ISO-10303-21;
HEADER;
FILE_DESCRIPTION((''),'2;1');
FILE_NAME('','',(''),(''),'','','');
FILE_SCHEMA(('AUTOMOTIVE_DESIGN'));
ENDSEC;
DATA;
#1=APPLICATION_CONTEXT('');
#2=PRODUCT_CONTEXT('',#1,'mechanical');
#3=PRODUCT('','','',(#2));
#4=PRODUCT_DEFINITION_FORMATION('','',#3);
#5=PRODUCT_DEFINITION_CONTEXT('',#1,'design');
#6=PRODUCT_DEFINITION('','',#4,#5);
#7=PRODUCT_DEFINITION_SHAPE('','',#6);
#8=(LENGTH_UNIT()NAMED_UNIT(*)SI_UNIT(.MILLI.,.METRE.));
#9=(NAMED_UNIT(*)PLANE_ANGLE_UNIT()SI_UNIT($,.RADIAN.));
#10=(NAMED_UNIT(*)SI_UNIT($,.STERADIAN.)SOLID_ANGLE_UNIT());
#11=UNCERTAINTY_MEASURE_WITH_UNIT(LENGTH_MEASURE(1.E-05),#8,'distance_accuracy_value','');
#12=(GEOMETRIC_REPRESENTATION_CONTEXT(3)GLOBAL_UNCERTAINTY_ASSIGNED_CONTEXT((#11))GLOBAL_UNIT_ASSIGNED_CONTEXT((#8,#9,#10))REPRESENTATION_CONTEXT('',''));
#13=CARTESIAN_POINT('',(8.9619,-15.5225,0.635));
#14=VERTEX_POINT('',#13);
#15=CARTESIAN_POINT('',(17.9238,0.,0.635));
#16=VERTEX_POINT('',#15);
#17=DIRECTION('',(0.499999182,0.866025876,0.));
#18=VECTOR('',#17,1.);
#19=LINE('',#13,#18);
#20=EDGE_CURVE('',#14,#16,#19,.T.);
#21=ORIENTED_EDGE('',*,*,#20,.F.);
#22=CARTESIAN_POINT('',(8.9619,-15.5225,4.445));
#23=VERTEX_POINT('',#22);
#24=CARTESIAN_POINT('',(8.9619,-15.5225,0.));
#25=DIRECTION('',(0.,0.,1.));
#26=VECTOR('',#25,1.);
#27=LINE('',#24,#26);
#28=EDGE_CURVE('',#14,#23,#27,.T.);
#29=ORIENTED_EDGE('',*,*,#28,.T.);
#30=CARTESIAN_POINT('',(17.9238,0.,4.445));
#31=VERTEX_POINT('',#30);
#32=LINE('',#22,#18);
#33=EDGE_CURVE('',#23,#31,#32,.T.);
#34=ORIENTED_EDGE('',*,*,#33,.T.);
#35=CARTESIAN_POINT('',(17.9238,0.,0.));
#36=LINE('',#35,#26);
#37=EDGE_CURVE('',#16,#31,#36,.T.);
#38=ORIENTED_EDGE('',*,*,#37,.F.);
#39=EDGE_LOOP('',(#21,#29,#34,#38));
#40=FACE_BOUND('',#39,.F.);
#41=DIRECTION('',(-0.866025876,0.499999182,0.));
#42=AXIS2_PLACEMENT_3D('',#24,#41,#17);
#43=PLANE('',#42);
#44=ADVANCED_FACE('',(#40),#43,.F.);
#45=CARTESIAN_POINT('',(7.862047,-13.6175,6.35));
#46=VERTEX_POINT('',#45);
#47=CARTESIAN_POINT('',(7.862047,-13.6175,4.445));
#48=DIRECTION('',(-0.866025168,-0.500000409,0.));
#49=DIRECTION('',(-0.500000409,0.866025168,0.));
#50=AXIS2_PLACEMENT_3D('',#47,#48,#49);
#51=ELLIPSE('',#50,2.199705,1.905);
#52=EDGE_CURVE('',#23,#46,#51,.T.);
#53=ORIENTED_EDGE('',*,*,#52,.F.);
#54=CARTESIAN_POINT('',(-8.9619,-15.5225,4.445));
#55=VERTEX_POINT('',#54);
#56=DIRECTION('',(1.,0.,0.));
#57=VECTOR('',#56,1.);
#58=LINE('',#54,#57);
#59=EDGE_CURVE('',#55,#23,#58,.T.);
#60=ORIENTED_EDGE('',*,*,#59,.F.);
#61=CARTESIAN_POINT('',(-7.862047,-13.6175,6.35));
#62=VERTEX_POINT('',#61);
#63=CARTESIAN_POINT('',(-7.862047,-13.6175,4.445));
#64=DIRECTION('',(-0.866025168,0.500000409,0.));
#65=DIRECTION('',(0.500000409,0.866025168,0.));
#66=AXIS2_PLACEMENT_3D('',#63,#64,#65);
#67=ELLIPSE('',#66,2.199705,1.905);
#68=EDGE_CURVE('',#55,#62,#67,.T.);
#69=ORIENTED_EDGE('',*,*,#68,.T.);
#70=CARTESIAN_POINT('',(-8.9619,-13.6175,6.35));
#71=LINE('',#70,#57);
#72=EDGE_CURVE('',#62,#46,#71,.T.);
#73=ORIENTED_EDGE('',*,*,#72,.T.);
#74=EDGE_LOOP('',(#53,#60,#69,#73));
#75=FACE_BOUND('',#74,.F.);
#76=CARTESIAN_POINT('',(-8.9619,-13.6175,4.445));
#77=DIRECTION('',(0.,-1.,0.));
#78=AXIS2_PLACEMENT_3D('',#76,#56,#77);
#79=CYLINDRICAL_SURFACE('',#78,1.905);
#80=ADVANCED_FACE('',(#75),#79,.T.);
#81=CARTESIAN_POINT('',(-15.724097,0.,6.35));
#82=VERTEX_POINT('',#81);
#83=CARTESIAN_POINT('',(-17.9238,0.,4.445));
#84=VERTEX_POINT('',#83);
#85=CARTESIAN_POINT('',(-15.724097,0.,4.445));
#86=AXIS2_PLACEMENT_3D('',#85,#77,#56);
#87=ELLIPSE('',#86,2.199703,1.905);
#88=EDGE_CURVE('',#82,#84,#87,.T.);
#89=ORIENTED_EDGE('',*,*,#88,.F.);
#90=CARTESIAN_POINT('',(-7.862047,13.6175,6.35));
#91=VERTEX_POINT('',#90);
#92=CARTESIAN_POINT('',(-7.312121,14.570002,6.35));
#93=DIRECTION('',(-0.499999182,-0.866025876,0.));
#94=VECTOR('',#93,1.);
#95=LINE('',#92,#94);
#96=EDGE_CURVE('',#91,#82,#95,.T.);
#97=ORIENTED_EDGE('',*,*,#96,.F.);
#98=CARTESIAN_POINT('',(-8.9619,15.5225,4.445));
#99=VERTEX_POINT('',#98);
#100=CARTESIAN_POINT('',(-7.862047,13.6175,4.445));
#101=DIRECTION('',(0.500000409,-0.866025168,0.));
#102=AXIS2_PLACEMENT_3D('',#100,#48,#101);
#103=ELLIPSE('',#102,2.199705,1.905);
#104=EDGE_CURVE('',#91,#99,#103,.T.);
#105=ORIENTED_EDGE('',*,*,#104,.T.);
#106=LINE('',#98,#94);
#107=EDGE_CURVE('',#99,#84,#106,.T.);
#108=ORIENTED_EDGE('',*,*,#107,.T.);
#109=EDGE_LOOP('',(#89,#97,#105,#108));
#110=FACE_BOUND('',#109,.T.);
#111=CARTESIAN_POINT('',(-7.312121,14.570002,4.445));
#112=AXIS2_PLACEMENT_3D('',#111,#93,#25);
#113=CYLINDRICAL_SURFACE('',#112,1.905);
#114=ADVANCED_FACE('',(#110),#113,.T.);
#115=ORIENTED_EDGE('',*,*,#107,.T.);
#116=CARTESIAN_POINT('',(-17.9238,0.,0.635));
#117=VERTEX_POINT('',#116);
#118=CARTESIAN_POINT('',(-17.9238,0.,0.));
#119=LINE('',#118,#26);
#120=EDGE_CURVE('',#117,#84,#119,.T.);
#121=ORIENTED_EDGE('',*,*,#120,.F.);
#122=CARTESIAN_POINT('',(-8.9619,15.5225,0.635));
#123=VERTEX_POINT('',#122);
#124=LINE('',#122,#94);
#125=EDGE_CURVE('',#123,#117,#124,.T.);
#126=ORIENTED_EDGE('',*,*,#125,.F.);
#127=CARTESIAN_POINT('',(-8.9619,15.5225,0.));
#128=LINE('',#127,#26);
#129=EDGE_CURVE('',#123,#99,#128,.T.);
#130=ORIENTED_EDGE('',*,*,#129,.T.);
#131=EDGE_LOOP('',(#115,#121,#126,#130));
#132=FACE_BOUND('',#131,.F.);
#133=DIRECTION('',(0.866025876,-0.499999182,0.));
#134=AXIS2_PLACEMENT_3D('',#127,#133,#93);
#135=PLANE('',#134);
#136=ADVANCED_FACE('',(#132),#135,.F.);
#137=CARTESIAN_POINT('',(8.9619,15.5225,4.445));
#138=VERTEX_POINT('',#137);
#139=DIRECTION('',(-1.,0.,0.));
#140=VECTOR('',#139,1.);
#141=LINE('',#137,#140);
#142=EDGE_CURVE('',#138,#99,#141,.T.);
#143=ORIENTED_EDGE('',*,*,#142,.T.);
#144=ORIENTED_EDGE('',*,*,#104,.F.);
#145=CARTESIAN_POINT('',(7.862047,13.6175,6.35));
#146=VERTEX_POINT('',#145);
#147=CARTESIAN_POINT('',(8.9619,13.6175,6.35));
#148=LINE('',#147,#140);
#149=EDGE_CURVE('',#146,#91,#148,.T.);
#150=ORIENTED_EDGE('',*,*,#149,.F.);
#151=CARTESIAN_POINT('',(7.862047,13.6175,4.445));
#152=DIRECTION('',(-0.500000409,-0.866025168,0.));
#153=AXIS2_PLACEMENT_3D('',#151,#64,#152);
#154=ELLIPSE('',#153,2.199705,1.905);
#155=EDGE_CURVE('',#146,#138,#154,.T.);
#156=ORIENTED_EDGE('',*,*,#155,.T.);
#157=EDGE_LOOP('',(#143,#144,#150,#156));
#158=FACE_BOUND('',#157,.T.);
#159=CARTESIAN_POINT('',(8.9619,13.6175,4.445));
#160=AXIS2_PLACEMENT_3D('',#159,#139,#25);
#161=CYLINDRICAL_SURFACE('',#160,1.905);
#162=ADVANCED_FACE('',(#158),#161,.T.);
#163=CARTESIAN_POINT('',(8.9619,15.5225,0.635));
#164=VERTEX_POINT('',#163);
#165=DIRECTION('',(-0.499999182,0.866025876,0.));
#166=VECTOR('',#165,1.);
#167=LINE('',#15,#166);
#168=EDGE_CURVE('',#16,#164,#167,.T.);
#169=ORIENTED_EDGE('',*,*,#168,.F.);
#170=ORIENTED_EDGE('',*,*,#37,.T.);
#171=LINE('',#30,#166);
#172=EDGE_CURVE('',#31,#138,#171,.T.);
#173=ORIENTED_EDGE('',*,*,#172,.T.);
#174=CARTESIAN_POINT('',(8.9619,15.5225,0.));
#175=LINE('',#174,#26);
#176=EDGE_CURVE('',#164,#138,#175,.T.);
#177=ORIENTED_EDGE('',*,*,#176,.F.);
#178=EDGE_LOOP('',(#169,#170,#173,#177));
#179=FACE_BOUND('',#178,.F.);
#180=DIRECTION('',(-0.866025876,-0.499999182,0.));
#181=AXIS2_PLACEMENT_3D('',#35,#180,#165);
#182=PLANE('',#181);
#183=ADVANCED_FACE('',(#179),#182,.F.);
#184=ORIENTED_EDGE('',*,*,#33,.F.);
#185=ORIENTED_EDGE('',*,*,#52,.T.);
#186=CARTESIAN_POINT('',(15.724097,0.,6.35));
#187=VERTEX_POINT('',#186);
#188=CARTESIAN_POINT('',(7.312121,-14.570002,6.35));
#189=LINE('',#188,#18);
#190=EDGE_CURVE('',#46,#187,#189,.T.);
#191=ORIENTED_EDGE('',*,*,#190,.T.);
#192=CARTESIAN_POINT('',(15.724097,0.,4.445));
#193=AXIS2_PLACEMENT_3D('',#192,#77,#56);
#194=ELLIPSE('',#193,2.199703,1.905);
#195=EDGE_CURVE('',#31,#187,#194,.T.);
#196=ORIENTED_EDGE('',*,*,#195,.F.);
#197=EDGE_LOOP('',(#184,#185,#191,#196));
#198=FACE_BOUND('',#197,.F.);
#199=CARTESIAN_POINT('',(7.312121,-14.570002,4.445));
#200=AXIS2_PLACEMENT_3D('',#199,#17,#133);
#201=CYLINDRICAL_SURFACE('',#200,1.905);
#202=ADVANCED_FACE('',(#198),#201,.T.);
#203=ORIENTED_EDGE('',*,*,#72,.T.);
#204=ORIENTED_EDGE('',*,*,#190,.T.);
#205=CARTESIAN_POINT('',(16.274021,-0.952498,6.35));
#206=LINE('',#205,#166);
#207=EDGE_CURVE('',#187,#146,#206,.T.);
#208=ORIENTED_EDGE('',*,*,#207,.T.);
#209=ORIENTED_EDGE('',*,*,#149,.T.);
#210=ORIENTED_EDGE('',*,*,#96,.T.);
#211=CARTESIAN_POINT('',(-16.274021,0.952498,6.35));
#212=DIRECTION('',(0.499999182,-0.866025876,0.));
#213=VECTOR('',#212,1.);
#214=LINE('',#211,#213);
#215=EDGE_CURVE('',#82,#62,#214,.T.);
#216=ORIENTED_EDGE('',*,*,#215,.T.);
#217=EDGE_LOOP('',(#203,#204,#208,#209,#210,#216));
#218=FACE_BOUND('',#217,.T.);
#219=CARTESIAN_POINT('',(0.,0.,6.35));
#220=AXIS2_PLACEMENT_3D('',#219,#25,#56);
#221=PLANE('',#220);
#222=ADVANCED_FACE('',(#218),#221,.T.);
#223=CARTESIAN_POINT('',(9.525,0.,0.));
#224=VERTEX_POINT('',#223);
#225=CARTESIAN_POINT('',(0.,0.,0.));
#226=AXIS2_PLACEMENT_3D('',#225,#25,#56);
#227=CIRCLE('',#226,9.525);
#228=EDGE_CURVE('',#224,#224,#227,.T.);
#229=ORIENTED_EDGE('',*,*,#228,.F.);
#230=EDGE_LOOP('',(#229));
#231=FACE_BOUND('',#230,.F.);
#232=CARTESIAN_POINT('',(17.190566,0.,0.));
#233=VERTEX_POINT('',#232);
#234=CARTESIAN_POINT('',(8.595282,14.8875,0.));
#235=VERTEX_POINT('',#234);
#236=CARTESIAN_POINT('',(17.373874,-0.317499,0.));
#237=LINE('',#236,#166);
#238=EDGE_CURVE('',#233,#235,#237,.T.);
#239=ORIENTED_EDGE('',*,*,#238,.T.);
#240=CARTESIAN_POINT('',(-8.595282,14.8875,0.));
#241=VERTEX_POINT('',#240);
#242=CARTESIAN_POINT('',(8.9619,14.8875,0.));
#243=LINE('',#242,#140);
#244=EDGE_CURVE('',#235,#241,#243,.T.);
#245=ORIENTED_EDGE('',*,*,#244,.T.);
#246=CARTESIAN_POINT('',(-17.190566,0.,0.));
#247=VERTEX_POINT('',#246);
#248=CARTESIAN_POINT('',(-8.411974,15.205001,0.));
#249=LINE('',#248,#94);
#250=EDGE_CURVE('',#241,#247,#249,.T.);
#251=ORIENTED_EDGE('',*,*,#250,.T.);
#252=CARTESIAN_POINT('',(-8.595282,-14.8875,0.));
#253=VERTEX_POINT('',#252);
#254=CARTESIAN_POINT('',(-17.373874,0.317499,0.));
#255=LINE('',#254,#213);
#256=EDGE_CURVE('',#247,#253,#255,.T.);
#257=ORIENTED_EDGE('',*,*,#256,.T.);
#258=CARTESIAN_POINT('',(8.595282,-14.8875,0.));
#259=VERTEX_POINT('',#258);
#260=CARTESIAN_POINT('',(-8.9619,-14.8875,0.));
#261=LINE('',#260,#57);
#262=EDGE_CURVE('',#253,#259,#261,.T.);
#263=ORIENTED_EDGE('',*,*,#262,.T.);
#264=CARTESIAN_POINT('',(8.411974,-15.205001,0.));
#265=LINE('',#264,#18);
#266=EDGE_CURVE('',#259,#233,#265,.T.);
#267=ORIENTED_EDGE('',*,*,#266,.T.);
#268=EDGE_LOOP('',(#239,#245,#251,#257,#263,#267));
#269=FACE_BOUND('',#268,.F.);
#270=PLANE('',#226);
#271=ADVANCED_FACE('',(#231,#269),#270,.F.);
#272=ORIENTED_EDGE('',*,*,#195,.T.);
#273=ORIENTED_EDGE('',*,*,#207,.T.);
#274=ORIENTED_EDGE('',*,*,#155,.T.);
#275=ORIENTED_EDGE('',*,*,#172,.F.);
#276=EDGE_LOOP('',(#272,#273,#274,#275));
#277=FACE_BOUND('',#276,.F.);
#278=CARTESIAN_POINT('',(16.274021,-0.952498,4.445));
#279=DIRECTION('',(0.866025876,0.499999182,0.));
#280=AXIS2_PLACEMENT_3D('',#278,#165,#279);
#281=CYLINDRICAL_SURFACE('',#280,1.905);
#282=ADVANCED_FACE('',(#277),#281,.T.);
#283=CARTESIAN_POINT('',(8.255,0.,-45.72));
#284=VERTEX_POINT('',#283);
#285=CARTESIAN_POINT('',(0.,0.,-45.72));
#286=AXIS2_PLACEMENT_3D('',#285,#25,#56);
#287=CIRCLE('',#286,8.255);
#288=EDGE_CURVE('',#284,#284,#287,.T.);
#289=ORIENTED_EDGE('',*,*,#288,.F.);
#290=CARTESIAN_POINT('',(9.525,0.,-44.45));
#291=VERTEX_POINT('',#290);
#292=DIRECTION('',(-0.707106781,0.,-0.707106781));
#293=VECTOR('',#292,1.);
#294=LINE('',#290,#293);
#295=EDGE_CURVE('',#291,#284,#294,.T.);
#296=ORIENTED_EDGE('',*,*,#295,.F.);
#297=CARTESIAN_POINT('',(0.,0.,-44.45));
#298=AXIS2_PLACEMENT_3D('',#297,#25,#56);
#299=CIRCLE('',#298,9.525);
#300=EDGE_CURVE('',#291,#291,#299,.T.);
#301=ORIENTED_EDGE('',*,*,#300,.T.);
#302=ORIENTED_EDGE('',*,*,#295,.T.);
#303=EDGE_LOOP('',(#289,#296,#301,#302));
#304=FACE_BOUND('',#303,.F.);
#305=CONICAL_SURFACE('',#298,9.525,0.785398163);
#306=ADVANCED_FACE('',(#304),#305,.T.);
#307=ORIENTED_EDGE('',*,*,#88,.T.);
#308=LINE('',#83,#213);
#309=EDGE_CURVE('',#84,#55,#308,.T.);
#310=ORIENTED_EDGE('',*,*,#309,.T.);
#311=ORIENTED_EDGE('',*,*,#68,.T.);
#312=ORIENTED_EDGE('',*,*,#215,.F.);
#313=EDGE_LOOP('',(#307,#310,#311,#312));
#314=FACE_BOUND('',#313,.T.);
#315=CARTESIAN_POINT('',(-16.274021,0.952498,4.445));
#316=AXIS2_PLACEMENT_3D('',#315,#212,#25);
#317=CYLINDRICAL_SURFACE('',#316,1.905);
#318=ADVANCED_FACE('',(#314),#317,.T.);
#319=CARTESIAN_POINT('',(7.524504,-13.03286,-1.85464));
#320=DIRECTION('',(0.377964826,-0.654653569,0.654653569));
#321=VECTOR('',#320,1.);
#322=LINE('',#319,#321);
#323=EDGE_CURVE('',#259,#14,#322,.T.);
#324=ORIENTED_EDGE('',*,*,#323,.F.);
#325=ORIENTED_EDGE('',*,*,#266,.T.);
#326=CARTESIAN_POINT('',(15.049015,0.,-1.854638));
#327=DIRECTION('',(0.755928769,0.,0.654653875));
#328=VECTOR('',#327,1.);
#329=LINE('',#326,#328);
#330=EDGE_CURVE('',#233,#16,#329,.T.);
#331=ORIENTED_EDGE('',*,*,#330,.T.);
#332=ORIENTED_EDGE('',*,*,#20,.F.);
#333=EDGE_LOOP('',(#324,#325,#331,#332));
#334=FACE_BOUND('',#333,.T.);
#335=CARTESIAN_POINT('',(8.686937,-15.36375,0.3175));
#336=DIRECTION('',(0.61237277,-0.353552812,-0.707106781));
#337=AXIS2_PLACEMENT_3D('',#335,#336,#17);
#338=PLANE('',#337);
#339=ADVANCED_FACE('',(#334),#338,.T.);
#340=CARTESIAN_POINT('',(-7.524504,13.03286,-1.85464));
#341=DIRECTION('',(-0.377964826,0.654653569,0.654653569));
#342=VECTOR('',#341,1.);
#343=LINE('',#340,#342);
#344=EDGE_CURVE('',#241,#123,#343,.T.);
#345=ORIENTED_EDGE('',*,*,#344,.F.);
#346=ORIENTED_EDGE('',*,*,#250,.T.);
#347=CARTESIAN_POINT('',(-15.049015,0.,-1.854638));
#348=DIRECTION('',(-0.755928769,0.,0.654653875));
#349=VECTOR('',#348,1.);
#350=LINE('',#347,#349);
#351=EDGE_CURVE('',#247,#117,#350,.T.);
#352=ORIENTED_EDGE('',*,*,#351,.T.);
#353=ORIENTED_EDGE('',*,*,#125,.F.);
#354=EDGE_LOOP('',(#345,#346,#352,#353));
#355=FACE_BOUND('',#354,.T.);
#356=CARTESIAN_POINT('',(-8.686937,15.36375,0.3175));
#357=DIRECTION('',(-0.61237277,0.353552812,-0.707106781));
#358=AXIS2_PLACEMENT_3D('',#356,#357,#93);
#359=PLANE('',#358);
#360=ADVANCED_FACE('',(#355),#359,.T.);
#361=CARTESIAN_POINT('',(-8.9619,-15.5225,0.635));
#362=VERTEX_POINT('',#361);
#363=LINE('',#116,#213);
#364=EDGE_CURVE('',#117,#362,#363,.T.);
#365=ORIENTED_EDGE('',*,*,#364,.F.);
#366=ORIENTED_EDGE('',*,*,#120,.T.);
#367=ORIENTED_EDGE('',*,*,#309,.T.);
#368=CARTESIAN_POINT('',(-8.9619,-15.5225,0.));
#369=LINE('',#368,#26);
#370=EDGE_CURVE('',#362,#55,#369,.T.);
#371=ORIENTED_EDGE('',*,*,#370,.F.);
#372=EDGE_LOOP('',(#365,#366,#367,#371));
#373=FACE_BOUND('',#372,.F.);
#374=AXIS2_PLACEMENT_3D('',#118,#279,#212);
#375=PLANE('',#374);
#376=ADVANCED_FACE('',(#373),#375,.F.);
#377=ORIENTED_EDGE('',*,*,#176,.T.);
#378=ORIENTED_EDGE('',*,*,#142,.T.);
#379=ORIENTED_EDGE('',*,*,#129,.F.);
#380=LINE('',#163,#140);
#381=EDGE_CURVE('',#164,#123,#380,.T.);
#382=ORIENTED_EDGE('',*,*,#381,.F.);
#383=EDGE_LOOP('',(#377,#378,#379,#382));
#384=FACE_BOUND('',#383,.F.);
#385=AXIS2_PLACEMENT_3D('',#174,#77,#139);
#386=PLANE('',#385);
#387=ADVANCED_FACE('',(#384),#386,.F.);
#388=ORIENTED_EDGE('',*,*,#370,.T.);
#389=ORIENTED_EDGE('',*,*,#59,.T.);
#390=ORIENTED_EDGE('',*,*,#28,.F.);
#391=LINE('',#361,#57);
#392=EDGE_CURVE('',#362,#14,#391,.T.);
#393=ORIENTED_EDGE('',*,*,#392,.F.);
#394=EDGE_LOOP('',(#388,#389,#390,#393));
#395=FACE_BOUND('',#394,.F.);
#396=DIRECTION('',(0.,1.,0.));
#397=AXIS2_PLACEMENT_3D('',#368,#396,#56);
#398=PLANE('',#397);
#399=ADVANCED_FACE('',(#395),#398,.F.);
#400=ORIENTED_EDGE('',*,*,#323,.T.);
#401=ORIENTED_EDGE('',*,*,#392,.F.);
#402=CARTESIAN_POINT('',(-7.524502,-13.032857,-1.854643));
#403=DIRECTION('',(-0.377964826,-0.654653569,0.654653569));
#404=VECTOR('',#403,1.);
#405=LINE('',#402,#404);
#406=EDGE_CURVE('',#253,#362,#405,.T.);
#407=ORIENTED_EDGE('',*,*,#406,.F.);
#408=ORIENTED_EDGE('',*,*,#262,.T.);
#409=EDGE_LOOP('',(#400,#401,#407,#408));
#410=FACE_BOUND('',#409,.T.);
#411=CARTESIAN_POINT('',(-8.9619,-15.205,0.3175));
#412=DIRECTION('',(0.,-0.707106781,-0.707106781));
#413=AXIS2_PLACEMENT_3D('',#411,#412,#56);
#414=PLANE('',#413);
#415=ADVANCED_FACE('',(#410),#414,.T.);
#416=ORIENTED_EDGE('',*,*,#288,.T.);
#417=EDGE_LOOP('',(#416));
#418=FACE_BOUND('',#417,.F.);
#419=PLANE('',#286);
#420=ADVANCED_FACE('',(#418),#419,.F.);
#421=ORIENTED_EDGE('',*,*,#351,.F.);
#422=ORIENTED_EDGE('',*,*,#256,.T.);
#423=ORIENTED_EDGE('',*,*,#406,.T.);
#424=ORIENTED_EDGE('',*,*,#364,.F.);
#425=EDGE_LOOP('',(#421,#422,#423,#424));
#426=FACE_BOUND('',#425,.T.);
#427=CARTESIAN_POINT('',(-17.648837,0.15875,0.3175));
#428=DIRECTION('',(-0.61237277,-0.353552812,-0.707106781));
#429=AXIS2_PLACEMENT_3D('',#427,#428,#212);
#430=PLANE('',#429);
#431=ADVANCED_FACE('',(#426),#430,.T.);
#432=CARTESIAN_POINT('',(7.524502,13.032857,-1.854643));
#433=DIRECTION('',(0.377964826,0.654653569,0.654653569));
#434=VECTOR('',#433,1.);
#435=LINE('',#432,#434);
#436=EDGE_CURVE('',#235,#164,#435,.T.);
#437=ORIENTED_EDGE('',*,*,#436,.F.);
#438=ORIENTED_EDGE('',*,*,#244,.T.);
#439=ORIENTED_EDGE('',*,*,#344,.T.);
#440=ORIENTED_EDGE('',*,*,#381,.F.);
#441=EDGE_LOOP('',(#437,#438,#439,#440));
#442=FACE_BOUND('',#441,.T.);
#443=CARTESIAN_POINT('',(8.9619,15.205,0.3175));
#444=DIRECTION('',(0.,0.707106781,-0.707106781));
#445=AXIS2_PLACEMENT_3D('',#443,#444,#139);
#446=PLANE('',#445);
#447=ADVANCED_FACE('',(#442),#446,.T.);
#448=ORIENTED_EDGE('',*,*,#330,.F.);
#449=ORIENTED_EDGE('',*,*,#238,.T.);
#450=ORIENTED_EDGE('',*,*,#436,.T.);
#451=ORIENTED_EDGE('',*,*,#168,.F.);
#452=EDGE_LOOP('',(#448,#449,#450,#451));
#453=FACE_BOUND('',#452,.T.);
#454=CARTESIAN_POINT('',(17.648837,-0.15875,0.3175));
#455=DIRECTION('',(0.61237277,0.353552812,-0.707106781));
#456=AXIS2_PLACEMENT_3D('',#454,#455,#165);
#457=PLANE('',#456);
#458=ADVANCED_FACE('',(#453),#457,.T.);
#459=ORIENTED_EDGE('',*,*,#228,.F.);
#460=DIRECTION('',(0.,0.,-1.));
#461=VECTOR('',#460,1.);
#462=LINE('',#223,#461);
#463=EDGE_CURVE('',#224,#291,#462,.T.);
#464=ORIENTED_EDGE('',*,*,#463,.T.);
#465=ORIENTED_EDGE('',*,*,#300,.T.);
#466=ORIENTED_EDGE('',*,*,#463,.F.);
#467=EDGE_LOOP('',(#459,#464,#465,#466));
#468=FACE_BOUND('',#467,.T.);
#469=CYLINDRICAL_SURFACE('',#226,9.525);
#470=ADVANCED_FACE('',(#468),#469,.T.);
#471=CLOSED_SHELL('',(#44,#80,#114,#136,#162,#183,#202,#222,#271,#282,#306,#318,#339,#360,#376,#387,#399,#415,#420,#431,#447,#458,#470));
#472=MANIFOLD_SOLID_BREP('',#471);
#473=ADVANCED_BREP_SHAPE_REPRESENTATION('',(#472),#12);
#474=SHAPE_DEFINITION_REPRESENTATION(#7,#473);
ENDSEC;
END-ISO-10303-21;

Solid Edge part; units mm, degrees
sketch "Sketch1" plane through (0, 0, 0) normal (0, 0, 1) x (1, 0, 0)
  circle A0 centre (0, 0) radius 9.525
extrude "Protrusion1" add sketch "Sketch1" against normal blind 45.72
sketch "Sketch2" plane through (0, 0, 0) normal (0, 0, 1) x (1, 0, 0)
  line L0 (8.9619, -15.5225) -> (17.9238, 0)
  line L1 (17.9238, 0) -> (8.9619, 15.5225)
  line L2 (8.9619, 15.5225) -> (-8.9619, 15.5225)
  line L3 (-8.9619, 15.5225) -> (-17.9238, 0)
  line L4 (-17.9238, 0) -> (-8.9619, -15.5225)
  line L5 (-8.9619, -15.5225) -> (8.9619, -15.5225)
extrude "ExtrudedProtrusion_2" add sketch "Sketch2" along normal blind 6.35
fillet "Round_1" radius 1.905 6 edges at (13.4429, -7.7612, 6.35) (0, -15.5225, 6.35) (-13.4429, -7.7612, 6.35) (-13.4429, 7.7612, 6.35) (0, 15.5225, 6.35) (13.4429, 7.7612, 6.35)
chamfer "Chamfer_1" distance 1.27 angle 45 1 edges at (-9.525, 0, -45.72)
chamfer "Chamfer_2" distance 0.635 angle 45 6 edges at (-13.4429, -7.7612, 0) (-13.4429, 7.7612, 0) (0, 15.5225, 0) (13.4429, 7.7612, 0) (13.4429, -7.7612, 0) (0, -15.5225, 0)
